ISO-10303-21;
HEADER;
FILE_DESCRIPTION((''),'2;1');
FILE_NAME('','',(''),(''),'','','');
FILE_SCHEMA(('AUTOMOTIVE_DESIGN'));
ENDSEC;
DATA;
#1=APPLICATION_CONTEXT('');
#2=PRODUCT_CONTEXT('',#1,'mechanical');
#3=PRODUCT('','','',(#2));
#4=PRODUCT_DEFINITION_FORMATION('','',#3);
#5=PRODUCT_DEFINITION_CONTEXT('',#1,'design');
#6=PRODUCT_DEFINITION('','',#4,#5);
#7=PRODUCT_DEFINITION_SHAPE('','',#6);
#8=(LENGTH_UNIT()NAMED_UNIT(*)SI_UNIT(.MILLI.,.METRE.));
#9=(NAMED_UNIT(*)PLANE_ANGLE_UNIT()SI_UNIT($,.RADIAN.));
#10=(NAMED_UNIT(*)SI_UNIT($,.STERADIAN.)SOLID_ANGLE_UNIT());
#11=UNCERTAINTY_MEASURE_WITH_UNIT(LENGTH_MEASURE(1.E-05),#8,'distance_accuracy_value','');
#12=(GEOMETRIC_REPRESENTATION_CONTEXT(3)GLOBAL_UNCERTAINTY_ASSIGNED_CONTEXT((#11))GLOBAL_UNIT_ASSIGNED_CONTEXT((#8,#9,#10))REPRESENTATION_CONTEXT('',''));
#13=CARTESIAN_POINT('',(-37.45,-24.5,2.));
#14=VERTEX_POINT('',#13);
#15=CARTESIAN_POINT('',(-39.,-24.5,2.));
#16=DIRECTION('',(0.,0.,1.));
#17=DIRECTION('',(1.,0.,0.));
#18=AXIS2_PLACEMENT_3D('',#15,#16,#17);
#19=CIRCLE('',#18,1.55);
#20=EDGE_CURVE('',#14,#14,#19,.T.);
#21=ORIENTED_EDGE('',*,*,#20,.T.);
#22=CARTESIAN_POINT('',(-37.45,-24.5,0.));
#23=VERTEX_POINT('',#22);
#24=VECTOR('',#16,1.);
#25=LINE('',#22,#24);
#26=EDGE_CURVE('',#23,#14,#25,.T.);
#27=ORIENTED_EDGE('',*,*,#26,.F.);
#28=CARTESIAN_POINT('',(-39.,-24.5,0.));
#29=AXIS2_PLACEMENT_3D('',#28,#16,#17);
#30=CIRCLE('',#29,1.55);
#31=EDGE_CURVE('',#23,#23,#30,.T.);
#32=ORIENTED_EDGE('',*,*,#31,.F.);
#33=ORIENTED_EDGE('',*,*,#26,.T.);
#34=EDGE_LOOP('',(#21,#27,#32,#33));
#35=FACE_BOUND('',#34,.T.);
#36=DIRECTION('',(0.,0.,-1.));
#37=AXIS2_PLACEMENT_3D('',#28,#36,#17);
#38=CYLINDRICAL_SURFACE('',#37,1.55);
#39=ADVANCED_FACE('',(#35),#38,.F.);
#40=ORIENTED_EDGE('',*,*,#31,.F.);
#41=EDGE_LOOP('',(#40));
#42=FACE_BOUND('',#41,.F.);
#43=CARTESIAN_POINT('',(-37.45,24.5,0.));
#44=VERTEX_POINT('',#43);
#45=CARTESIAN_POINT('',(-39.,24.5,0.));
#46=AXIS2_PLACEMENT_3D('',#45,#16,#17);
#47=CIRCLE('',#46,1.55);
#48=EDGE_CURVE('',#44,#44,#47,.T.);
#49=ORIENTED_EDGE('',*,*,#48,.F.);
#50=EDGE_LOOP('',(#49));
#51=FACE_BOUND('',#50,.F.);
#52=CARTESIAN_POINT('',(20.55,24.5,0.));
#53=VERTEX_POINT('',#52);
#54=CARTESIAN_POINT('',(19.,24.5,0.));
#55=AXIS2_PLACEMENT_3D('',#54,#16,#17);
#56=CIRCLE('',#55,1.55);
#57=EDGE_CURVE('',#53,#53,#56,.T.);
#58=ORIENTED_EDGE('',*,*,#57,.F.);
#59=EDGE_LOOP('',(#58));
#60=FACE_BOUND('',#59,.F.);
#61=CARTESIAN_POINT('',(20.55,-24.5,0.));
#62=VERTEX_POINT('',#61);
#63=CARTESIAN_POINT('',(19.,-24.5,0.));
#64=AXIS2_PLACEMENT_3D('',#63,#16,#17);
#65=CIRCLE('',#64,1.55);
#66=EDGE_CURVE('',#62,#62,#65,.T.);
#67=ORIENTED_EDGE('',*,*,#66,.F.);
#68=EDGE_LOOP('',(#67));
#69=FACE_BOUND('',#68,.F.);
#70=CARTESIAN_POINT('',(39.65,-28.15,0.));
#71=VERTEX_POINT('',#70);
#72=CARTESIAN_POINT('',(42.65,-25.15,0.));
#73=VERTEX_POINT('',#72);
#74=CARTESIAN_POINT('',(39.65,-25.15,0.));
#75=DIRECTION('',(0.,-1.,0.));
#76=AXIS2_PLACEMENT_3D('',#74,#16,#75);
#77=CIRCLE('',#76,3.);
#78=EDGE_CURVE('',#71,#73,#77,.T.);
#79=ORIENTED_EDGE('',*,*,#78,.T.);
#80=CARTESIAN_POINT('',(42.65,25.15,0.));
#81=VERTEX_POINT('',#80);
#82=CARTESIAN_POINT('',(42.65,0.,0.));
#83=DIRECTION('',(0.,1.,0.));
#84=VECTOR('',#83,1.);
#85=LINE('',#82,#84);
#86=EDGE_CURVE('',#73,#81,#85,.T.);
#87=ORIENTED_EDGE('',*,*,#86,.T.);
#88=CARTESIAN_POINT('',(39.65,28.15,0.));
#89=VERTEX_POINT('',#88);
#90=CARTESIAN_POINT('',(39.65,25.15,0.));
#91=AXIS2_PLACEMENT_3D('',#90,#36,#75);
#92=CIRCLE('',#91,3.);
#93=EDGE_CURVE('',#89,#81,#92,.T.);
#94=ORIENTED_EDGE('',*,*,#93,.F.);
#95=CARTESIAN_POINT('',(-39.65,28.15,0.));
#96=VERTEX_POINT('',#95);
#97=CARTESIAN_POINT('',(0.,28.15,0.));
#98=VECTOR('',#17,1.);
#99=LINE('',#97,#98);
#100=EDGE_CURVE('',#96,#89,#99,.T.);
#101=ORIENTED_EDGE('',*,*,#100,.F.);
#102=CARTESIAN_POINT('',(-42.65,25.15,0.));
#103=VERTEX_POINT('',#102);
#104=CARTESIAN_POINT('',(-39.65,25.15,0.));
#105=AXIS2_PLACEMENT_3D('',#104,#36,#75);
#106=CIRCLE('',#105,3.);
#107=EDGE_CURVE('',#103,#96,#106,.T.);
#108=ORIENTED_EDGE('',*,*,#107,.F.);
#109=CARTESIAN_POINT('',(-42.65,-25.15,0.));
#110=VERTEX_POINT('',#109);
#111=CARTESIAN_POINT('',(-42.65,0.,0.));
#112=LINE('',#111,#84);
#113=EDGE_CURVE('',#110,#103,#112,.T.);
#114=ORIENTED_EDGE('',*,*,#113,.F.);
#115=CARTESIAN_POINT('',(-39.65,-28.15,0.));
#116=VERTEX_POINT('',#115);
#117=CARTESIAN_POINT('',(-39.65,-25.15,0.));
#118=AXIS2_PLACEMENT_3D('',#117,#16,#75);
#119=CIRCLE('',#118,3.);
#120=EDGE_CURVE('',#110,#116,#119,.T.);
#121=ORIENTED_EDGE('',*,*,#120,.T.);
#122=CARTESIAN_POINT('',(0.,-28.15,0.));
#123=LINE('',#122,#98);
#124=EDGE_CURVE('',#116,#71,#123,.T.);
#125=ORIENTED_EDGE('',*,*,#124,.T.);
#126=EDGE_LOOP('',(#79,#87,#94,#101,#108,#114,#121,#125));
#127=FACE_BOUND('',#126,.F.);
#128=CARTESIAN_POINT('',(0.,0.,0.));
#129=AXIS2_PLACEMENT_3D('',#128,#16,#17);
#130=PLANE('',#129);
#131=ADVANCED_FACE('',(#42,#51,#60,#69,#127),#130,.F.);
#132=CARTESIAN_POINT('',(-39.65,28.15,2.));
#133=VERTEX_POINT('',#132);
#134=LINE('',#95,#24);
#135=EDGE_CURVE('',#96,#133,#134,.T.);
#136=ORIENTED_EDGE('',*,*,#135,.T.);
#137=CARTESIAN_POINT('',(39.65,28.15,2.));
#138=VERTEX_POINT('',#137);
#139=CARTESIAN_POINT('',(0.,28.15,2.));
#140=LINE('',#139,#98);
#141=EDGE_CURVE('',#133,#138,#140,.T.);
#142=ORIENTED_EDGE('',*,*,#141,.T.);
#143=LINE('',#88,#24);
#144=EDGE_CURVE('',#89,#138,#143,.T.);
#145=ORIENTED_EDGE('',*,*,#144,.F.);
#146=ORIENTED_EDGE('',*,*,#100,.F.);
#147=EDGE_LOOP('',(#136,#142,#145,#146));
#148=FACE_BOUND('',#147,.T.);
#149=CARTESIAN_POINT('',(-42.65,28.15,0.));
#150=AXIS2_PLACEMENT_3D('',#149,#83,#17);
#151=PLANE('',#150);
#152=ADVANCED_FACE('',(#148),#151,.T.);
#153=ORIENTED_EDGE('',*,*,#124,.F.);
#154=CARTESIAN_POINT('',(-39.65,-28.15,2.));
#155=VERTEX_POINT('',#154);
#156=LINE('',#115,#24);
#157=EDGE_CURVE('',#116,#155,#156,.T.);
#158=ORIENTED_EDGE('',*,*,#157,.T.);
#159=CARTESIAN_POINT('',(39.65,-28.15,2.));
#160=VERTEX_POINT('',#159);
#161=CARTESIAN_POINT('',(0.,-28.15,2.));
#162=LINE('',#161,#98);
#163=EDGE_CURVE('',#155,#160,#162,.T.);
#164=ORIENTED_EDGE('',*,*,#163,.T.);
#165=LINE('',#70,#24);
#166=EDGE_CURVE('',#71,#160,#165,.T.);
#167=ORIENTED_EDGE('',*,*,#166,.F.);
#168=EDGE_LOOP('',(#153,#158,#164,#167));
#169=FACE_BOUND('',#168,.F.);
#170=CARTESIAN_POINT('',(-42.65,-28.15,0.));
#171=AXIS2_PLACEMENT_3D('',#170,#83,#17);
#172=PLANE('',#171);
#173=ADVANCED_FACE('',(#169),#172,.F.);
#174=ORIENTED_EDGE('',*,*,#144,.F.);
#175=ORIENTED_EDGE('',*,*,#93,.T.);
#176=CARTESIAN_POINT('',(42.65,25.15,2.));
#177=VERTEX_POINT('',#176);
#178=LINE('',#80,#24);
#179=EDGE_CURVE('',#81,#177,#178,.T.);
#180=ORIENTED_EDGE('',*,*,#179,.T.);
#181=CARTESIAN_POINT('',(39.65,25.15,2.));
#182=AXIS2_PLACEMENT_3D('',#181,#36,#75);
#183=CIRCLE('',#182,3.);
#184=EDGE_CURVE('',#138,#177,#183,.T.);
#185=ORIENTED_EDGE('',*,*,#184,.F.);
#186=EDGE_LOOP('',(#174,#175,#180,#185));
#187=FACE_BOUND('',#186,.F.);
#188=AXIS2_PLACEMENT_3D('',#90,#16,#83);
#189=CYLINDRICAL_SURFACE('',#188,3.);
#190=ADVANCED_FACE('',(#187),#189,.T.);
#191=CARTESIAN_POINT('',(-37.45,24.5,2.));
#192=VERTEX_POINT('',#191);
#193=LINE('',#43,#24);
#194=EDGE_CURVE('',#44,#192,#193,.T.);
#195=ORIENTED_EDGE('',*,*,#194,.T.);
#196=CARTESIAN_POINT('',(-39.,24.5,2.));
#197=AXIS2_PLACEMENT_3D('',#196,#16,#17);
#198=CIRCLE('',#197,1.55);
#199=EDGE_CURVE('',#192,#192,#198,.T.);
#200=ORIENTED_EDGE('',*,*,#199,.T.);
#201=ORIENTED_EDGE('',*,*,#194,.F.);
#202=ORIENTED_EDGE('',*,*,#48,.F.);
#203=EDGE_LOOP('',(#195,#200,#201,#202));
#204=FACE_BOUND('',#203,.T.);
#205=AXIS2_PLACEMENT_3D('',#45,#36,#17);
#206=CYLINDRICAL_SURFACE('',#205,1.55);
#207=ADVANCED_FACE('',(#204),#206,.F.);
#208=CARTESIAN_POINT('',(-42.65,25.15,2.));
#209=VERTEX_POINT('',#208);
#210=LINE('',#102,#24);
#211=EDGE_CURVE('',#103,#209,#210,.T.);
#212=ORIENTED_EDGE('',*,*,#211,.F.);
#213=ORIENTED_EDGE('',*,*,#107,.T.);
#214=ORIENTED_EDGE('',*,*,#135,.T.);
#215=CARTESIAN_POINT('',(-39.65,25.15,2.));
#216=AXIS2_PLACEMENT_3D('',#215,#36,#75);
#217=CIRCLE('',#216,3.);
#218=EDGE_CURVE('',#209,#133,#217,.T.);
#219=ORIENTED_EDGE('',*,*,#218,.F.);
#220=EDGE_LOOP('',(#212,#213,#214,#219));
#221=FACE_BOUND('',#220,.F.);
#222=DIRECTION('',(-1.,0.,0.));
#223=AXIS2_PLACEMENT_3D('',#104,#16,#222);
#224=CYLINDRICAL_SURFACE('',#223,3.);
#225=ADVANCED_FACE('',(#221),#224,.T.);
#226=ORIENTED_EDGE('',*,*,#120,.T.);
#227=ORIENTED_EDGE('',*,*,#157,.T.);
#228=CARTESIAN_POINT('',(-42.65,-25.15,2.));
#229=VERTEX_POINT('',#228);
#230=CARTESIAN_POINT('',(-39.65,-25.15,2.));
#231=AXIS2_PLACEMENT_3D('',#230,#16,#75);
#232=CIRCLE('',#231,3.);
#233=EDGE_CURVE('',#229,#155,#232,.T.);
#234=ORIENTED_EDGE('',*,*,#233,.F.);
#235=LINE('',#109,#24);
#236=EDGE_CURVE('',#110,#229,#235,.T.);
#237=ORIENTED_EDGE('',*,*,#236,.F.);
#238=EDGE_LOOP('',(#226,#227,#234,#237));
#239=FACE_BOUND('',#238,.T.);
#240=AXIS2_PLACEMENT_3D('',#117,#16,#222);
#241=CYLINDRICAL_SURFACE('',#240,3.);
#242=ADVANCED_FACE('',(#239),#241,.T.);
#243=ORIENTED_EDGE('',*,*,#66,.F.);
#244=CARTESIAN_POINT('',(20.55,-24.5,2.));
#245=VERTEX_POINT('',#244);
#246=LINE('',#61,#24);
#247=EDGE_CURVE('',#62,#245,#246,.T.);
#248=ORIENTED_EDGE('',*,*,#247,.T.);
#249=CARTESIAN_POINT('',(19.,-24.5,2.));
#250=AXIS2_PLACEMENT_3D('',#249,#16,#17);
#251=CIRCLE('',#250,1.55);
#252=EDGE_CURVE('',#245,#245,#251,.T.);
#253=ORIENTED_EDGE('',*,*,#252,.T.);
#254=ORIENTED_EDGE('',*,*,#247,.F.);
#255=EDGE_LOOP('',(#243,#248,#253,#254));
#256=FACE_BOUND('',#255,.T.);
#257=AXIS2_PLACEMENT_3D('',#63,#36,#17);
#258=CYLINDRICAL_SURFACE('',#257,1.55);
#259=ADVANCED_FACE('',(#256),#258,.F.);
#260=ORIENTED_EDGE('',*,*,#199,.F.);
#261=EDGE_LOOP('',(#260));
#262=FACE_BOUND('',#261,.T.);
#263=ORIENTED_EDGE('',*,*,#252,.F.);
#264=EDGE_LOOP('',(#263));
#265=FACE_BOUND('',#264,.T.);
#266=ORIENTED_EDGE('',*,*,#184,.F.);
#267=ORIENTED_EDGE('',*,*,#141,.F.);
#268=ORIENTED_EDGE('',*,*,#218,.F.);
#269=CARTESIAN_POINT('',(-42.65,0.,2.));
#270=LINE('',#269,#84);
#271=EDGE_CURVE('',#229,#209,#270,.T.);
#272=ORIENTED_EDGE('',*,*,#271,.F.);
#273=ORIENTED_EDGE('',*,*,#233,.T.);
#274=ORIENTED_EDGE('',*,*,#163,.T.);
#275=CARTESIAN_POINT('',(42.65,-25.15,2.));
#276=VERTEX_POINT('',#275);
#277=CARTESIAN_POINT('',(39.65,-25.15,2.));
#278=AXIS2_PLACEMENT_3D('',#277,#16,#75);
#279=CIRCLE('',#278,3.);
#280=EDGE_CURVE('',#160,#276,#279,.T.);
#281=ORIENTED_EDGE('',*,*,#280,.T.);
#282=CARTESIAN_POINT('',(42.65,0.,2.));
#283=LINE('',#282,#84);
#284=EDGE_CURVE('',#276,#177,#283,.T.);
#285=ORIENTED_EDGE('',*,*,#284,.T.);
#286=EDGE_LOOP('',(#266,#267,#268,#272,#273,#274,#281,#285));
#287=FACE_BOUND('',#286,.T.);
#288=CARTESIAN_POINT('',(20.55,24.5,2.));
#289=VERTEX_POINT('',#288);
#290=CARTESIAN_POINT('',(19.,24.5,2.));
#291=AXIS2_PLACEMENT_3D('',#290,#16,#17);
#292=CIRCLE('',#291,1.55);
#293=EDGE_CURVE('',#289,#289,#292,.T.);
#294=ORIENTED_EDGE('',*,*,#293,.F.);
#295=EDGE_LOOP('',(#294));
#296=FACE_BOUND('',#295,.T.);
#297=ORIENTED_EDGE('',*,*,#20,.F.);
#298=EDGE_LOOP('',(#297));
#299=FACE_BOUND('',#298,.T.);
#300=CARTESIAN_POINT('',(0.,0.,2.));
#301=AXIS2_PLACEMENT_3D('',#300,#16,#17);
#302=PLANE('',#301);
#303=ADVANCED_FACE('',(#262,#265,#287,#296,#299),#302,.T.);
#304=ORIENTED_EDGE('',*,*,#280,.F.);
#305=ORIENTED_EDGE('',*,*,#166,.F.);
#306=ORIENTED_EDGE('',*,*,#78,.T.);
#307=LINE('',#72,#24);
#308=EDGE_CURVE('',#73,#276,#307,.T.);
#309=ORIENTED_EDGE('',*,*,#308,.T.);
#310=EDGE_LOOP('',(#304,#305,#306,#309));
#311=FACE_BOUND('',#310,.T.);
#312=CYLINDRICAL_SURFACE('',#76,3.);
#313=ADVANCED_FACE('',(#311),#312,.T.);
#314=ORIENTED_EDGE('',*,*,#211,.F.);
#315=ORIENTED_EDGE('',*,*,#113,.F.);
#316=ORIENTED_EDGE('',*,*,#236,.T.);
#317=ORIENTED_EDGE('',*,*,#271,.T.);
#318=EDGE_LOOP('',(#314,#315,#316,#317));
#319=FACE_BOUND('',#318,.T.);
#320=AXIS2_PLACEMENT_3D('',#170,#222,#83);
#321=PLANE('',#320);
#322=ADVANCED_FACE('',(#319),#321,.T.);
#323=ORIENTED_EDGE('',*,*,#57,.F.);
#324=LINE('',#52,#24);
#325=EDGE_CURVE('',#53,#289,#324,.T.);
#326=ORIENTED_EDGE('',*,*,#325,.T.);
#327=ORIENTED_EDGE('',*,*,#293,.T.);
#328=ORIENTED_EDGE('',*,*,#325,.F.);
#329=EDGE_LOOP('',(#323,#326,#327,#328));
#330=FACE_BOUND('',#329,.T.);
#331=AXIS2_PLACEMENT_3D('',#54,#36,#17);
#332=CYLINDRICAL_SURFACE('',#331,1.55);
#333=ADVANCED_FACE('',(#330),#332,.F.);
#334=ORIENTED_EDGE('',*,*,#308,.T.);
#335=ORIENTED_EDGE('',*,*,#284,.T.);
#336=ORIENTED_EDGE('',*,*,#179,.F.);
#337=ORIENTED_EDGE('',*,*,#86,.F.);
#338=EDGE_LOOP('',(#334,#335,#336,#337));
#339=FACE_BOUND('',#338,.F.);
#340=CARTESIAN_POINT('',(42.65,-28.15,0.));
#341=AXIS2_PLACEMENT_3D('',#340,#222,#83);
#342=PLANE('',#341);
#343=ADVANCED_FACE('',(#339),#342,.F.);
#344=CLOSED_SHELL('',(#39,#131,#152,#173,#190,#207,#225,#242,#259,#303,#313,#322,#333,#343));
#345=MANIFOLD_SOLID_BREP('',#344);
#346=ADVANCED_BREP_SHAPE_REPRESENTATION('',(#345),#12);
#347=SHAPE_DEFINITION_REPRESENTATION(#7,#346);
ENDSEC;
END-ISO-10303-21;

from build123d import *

# Parameters (mm, degrees)
F0_W     = 85.3
F0_H     = 56.3
F0_R     = 1.55
F1_DEPTH = 2
F2_R     = 3


with BuildPart() as f1:
    # F0 (on Top) → F1 (new body)
    with BuildSketch(Plane.XY):
        Rectangle(F0_W, F0_H)
        with Locations((-39, -24.5)):
            Circle(F0_R, mode=Mode.SUBTRACT)
        with Locations((19, -24.5)):
            Circle(F0_R, mode=Mode.SUBTRACT)
        with Locations((-39, 24.5)):
            Circle(F0_R, mode=Mode.SUBTRACT)
        with Locations((19, 24.5)):
            Circle(F0_R, mode=Mode.SUBTRACT)
    extrude(amount=F1_DEPTH)

    # F2
    f2_edges = [f1.edges().sort_by_distance(p)[0] for p in [
        (-42.65, 28.15, 1),
        (-42.65, -28.15, 1),
        (42.65, 28.15, 1),
        (42.65, -28.15, 1),
    ]]
    fillet(f2_edges, radius=F2_R)


solid = f1.part
